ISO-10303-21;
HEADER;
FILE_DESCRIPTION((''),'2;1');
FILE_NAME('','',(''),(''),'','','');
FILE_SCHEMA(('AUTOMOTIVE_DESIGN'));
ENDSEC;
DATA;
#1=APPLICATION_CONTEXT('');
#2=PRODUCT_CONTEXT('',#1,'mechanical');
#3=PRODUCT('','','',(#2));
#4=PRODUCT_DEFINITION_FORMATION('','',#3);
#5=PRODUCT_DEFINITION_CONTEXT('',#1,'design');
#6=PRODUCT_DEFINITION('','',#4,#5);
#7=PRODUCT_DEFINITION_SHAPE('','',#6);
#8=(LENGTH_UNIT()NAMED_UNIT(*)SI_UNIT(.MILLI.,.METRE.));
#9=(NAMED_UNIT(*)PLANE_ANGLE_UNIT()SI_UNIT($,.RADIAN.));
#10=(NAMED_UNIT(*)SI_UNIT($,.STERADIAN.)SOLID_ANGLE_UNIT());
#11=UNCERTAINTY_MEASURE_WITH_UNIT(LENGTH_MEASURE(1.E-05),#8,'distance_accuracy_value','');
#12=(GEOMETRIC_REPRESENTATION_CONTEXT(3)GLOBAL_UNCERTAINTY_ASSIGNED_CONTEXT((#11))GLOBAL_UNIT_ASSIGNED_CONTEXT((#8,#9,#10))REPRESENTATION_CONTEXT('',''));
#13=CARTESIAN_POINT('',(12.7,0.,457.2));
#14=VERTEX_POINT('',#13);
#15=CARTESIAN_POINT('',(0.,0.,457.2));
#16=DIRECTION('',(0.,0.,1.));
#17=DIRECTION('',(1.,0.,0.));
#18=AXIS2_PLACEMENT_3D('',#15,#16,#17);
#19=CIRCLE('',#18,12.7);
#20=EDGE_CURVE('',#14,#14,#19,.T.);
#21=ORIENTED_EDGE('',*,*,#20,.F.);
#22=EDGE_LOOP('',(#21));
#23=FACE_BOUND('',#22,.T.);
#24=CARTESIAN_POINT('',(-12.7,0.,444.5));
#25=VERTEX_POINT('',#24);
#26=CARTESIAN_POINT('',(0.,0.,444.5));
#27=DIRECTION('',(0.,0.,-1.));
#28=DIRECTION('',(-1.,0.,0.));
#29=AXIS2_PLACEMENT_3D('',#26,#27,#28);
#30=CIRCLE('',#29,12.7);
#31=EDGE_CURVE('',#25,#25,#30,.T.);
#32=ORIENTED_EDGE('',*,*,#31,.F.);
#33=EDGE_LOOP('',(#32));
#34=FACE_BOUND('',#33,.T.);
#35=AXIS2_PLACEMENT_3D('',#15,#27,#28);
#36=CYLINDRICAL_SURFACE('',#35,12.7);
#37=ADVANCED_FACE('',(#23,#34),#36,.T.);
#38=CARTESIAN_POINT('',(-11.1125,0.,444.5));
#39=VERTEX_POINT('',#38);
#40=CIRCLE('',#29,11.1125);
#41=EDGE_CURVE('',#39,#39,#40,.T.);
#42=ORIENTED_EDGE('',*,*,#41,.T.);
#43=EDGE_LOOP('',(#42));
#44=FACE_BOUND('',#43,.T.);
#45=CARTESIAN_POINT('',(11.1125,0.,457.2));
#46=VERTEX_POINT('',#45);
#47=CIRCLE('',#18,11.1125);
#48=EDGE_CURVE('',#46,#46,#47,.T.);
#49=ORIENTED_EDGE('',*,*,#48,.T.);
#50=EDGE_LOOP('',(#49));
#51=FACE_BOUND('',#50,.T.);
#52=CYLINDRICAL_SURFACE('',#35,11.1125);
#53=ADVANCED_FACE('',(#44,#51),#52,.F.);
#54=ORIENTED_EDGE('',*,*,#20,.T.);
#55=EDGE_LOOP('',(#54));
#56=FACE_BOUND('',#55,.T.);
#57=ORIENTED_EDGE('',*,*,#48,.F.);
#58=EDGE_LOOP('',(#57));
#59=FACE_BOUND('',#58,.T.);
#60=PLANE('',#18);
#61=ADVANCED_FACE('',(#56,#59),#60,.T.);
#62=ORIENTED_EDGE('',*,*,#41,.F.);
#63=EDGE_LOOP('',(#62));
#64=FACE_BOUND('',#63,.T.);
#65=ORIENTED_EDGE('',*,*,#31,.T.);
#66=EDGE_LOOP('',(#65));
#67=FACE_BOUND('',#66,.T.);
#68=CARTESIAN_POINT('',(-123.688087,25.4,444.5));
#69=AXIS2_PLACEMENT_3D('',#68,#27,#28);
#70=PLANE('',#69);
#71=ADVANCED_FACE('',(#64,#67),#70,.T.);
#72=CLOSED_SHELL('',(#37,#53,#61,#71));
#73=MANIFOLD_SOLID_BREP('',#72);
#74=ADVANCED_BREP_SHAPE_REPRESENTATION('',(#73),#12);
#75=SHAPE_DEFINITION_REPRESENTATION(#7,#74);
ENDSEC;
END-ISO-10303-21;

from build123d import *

# Parameters (mm, degrees)
SKETCH1_R               = 12.7
SKETCH1_R_2             = 11.1125
BOSS_EXTRUDE1_DEPTH     = 457.2
CUT_EXTRUDE1_DEPTH      = 25.4
CUT_EXTRUDE1_DEPTH_BACK = 25.4
SKETCH2_W               = 302.505044899
SKETCH2_H               = 503.385333786


with BuildPart() as part:
    # Sketch1 → Boss-Extrude1 (new body)
    with BuildSketch(Plane.XY):
        Circle(SKETCH1_R)
        Circle(SKETCH1_R_2, mode=Mode.SUBTRACT)
    extrude(amount=BOSS_EXTRUDE1_DEPTH)

    # Sketch2 → Cut-Extrude1 (cut, two sides: drawn at the far end of the back side and taken through both)
    with BuildSketch(Plane(origin=(0, 0, 0), x_dir=(1, 0, 0), z_dir=(0, 1, 0)).offset(-CUT_EXTRUDE1_DEPTH_BACK)):
        with Locations((27.564435475, -192.807333107)):
            Rectangle(SKETCH2_W, SKETCH2_H)
    extrude(amount=CUT_EXTRUDE1_DEPTH + CUT_EXTRUDE1_DEPTH_BACK, mode=Mode.SUBTRACT)


solid = part.part
